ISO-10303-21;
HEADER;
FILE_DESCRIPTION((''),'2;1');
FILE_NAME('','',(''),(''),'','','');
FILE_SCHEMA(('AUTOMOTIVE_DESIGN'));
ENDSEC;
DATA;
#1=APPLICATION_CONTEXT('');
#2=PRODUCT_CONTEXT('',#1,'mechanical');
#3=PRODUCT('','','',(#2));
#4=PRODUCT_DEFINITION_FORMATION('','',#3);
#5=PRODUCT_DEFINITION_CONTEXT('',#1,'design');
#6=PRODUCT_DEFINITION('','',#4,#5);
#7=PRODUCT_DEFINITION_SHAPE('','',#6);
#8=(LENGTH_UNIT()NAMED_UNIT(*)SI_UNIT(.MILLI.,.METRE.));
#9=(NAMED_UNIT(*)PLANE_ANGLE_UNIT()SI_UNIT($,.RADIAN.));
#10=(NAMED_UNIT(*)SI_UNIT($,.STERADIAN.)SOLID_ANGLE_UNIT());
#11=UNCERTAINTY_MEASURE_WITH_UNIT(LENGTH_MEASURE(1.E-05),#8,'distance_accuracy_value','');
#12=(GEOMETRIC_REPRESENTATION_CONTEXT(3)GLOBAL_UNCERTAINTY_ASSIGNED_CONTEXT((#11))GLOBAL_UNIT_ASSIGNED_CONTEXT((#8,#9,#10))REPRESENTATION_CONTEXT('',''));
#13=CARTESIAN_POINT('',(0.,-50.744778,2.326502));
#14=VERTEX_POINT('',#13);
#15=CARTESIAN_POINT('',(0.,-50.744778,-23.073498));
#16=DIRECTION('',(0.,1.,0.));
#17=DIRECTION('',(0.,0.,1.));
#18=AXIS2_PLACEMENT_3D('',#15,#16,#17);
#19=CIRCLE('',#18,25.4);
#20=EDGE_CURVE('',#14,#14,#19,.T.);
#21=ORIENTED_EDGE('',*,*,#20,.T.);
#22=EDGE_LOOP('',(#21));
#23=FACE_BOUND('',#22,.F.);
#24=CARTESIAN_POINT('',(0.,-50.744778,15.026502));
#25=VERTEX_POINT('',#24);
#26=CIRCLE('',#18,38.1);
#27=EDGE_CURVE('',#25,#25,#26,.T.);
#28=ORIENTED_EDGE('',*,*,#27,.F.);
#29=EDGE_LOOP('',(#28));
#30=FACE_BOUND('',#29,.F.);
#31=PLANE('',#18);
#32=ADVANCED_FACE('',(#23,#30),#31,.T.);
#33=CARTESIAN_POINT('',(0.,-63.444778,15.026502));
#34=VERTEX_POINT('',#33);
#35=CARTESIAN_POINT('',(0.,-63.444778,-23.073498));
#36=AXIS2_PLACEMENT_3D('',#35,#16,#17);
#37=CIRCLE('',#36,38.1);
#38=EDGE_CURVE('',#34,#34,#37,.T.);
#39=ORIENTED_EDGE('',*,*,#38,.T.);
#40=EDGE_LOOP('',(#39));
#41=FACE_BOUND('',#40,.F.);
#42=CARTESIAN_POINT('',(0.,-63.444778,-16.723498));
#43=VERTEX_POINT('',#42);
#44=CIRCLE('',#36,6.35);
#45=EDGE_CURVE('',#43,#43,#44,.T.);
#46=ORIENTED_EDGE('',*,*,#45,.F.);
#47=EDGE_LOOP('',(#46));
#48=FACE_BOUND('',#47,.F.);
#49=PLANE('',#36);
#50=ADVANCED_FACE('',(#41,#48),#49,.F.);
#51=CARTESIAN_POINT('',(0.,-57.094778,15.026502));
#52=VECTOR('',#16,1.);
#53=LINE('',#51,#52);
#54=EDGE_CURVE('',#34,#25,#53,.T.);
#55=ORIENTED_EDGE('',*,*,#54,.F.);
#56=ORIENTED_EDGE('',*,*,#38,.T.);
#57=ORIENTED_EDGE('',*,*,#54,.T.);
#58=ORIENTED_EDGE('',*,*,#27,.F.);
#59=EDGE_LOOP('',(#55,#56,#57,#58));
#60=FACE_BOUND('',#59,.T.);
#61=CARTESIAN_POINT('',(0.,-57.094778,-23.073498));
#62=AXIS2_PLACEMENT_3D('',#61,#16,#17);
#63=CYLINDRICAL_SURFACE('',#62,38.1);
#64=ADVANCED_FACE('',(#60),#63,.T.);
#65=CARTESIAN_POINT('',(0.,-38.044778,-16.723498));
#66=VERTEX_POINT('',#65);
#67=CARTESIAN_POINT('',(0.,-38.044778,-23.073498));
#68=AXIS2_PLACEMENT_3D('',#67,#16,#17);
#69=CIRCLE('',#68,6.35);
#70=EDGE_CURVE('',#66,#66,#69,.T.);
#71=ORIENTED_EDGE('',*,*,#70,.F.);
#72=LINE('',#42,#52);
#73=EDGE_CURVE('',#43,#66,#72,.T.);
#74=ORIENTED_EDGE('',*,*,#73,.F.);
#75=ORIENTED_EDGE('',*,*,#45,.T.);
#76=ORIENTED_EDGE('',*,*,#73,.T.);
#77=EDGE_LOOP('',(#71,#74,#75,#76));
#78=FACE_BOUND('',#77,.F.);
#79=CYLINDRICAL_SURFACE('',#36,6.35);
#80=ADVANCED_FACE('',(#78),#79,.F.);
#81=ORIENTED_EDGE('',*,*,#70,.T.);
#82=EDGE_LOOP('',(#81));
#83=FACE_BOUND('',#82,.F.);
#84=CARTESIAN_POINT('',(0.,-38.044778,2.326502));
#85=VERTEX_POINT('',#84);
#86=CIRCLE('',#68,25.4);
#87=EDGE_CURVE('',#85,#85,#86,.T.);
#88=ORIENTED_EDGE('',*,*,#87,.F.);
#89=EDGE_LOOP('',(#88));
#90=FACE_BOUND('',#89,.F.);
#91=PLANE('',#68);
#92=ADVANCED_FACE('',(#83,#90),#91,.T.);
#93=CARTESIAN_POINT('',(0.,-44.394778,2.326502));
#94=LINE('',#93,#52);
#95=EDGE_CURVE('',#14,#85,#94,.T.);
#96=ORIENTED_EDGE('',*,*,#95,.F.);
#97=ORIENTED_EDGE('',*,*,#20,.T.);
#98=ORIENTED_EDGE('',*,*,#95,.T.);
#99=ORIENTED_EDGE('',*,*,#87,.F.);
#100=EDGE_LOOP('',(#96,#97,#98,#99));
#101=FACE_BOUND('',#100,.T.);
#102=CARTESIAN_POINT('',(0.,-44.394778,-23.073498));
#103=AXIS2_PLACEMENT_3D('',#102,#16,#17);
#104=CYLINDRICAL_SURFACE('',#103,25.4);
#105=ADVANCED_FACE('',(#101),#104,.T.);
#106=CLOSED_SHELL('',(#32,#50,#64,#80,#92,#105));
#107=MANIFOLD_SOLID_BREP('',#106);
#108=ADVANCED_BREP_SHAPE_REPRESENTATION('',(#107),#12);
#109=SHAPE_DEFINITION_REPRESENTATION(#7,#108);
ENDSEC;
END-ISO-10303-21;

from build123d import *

# Parameters (mm, degrees)
F0_W   = 12.7
F0_H   = 12.7
F0_H_2 = 19.05


with BuildPart() as f1:
    # F0 (on Right) → F1 (revolve)
    with BuildSketch(Plane.YZ):
        with Locations((-57.0947776475, 8.6765019817)):
            Rectangle(F0_W, F0_H)
        with Locations((-57.0947776475, -7.1984980183)):
            Rectangle(F0_W, F0_H_2)
        with Locations((-44.3947776475, -7.1984980183)):
            Rectangle(F0_W, F0_H_2)
    revolve(axis=Axis((0, -46.2559854154, -23.0734980183), (0, 1, 0)))


solid = f1.part
